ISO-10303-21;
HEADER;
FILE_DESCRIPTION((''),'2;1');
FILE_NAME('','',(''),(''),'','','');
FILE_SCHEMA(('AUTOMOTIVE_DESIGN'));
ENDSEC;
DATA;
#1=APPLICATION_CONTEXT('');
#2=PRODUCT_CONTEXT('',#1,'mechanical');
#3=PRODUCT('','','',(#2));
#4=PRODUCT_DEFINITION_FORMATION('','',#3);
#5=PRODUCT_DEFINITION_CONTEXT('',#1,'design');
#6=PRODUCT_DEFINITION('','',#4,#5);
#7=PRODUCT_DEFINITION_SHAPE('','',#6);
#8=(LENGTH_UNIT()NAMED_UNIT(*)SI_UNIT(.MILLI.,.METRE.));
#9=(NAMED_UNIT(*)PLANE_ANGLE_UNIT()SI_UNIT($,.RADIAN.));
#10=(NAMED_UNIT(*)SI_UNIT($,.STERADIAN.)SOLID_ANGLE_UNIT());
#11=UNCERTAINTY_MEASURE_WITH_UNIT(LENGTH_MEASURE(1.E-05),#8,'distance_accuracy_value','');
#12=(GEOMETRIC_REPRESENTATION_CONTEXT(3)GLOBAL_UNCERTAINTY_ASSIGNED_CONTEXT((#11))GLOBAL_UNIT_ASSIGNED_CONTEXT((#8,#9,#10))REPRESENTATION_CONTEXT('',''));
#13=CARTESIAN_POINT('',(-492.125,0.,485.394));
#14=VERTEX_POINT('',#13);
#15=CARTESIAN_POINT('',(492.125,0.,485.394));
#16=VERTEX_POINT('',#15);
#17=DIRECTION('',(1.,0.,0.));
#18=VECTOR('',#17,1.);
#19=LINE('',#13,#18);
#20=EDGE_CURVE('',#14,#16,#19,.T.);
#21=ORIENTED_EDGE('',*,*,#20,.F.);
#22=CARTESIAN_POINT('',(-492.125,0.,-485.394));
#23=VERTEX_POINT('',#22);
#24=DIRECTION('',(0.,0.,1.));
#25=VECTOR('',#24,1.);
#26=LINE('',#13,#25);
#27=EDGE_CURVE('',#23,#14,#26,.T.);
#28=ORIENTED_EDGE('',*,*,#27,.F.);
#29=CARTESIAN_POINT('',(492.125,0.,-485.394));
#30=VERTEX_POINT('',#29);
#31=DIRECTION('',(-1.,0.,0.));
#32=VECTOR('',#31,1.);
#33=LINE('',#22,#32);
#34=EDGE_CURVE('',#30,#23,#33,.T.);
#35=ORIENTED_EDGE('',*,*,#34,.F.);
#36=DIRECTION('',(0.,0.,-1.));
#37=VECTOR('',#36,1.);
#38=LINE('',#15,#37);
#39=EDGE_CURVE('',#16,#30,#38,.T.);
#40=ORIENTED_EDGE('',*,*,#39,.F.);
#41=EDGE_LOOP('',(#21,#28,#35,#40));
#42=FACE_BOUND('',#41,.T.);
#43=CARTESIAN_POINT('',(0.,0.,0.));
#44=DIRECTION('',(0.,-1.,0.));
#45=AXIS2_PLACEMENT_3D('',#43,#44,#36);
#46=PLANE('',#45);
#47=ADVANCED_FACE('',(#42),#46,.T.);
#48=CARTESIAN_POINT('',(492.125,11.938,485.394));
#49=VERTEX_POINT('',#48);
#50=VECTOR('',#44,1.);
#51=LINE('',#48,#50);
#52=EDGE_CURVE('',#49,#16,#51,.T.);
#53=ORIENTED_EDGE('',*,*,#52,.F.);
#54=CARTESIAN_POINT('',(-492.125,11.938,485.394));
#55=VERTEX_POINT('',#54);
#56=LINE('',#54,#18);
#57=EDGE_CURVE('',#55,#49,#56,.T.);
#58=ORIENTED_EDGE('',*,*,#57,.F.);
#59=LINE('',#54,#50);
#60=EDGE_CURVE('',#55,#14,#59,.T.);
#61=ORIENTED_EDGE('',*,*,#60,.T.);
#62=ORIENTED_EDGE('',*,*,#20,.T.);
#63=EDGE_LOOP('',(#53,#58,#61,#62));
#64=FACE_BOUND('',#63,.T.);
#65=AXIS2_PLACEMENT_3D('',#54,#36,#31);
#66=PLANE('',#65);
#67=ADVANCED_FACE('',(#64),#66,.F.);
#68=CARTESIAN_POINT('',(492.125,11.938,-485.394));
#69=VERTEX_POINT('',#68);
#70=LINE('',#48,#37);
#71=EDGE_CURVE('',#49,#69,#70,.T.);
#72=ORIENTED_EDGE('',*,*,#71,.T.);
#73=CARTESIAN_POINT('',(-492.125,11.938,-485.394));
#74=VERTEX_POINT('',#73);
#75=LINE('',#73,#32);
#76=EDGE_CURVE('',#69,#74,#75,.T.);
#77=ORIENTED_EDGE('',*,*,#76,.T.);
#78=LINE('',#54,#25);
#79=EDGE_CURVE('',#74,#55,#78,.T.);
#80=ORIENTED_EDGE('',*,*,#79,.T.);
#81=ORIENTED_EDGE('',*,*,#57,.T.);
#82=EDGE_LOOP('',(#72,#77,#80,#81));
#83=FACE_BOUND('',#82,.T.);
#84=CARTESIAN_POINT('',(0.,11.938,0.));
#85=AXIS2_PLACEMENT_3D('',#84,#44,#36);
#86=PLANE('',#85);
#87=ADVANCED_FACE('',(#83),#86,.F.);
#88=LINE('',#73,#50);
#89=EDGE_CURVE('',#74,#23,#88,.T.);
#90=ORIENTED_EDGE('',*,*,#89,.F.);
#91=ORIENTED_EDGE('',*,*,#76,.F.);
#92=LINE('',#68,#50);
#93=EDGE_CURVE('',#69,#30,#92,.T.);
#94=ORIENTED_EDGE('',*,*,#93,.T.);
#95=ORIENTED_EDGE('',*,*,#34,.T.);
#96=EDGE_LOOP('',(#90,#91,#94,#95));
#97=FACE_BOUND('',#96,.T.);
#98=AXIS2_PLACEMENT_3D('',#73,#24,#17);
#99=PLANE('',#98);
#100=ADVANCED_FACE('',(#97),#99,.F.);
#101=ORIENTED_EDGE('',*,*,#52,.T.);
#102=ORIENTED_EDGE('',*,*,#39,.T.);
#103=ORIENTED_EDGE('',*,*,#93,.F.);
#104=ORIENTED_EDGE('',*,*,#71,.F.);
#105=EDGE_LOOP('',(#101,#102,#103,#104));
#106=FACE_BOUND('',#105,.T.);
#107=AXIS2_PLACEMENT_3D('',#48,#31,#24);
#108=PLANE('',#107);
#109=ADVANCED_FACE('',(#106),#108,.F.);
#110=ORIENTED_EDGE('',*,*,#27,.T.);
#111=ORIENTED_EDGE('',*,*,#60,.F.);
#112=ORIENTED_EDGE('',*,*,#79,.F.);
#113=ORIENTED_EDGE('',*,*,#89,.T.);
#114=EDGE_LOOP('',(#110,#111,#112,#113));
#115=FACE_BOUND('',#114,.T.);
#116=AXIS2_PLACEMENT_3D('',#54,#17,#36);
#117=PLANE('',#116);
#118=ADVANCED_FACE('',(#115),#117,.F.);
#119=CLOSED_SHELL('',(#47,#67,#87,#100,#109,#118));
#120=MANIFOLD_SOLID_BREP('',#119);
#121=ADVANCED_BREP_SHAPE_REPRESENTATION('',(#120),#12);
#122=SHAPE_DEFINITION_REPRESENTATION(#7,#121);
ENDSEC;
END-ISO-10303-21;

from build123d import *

# Parameters (mm, degrees)
SKETCH1_W           = 984.25
SKETCH1_H           = 970.788
BOSS_EXTRUDE1_DEPTH = 11.938


with BuildPart() as part:
    # Sketch1 → Boss-Extrude1 (new body)
    with BuildSketch(Plane(origin=(0, 0, 0), x_dir=(1, 0, 0), z_dir=(0, 1, 0))):
        Rectangle(SKETCH1_W, SKETCH1_H)
    extrude(amount=BOSS_EXTRUDE1_DEPTH)


solid = part.part
